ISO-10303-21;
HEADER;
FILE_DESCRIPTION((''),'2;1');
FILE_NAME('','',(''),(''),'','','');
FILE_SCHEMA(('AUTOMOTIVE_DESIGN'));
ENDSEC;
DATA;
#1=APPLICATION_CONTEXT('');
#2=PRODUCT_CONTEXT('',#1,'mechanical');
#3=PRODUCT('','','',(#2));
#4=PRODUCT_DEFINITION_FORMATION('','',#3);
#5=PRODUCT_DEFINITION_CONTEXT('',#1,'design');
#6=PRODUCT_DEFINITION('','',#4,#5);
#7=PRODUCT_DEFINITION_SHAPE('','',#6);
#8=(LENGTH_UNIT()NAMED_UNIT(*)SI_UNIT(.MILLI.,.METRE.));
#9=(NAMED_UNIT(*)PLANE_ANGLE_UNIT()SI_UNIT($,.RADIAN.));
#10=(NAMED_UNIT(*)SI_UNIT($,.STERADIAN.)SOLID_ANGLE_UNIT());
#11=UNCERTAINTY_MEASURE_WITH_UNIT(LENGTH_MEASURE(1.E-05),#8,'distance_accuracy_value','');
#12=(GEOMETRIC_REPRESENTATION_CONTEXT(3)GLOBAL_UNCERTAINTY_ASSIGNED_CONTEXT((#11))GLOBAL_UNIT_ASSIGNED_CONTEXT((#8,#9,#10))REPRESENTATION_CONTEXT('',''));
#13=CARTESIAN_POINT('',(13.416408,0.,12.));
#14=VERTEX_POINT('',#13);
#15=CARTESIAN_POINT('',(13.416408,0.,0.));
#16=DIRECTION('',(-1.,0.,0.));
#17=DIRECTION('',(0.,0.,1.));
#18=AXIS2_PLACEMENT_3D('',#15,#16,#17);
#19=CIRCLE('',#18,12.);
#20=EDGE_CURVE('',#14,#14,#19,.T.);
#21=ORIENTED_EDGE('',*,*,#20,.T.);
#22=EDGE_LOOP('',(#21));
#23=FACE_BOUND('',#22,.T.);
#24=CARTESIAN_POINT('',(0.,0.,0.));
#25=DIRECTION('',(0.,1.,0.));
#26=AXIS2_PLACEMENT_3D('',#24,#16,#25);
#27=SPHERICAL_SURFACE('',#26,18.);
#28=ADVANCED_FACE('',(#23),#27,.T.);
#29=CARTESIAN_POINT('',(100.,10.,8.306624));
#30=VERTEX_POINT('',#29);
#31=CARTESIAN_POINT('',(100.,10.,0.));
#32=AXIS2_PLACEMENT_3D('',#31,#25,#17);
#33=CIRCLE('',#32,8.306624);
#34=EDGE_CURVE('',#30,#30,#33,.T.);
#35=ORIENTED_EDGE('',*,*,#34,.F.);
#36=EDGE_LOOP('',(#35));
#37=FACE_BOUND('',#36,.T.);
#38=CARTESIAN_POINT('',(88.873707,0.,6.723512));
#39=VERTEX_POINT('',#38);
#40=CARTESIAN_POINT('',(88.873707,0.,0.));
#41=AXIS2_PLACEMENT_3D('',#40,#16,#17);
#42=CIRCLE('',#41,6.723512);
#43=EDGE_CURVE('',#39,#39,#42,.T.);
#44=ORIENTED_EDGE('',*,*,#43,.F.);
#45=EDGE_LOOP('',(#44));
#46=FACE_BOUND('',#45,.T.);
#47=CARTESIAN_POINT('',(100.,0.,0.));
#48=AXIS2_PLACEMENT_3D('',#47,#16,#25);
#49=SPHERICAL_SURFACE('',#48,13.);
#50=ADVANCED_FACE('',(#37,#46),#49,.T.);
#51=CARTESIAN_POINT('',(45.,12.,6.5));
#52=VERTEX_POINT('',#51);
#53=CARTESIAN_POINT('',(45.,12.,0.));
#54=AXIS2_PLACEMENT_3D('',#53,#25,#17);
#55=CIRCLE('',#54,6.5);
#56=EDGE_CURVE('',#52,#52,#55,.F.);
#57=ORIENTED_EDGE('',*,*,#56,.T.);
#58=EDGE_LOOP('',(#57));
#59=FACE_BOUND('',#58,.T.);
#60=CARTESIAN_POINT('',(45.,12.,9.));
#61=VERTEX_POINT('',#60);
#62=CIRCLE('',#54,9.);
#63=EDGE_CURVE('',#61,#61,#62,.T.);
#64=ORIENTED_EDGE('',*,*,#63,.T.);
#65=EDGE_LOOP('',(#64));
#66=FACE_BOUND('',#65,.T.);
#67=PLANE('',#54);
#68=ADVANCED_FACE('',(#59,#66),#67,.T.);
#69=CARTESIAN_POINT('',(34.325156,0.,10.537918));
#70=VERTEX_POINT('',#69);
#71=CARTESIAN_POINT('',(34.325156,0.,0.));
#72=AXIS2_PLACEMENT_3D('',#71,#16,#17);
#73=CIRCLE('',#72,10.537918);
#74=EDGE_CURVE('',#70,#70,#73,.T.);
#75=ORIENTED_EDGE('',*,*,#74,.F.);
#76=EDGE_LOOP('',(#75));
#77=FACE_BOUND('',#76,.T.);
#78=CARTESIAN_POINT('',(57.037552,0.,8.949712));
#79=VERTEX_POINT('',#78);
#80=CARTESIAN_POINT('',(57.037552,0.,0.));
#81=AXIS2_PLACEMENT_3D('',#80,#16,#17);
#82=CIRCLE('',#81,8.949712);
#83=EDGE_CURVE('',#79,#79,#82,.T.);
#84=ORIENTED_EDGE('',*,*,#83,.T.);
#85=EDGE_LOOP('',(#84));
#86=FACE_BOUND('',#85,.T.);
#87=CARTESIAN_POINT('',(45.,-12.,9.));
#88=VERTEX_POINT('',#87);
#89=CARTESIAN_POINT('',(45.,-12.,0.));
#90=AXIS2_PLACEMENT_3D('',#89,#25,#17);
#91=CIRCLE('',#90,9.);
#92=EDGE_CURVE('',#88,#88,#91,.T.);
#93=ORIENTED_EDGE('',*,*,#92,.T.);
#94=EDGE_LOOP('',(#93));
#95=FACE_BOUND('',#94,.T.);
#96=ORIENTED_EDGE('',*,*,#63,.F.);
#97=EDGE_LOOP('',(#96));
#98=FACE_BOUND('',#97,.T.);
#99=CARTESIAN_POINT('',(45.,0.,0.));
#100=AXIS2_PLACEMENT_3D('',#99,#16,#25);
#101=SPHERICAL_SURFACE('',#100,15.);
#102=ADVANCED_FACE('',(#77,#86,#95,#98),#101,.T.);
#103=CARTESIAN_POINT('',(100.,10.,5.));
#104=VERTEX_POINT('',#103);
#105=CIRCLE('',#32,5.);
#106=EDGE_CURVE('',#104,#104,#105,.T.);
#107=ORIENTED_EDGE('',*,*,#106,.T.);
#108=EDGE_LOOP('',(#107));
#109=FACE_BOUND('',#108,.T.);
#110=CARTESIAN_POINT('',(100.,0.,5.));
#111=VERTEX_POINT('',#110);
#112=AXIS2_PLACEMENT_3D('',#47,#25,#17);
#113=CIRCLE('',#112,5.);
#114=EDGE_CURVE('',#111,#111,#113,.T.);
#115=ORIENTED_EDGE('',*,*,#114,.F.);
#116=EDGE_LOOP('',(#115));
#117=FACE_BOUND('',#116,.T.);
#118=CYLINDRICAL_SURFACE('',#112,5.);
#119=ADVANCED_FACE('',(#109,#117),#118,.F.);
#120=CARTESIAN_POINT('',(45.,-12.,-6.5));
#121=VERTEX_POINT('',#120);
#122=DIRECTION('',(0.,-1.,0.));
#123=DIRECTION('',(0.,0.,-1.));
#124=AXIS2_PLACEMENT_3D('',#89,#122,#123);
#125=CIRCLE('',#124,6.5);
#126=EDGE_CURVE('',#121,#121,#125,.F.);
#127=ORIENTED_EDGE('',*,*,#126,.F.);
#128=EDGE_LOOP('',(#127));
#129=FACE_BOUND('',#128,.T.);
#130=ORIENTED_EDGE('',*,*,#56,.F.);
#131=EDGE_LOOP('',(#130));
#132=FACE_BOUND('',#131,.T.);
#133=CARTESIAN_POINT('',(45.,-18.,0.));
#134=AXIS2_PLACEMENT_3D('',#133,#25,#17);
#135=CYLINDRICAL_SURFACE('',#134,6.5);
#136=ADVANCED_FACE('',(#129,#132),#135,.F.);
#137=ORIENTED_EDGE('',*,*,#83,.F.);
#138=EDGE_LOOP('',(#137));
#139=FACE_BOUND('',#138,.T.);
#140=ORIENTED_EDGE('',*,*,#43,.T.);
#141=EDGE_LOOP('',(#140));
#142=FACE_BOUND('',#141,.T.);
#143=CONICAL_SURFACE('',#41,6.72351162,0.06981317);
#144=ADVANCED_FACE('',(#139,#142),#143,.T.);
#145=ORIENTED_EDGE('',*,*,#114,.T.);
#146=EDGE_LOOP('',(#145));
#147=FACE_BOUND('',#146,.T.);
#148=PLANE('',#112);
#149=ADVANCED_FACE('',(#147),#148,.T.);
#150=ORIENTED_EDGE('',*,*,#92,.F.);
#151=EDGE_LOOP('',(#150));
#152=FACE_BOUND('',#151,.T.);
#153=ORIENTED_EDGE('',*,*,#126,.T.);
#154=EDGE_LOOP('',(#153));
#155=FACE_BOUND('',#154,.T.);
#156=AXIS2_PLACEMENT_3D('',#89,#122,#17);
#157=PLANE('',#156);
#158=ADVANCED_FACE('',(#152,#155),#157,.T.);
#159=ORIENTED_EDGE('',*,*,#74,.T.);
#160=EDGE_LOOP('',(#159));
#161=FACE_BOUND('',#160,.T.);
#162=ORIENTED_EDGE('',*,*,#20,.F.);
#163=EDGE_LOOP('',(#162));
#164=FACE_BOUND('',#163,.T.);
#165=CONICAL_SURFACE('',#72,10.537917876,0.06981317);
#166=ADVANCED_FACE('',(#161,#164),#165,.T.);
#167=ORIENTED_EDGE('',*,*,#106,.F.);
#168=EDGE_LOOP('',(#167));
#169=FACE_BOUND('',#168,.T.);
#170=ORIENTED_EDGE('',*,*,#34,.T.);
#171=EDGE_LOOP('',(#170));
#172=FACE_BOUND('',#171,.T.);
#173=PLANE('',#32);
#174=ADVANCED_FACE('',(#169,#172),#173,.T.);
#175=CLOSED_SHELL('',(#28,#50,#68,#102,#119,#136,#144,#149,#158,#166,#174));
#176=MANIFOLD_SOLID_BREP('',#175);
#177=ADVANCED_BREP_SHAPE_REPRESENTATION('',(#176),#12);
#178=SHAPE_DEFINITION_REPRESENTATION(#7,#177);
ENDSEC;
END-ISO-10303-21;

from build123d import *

# Parameters (mm, degrees)
SKETCH3_R               = 6.5
CUT_EXTRUDE1_DEPTH      = 19
CUT_EXTRUDE1_DEPTH_BACK = 19
CUT_EXTRUDE2_START      = 10
SKETCH4_R               = 8.5
CUT_EXTRUDE2_DEPTH      = 10
SKETCH5_R               = 5
CUT_EXTRUDE3_DEPTH      = 10
CUT_EXTRUDE4_START      = 12
SKETCH6_R               = 9
CUT_EXTRUDE4_DEPTH      = 12


with BuildPart() as part:
    # Sketch2 → Revolve1 (revolve)
    with BuildSketch(Plane.XY):
        with BuildLine():
            Line((13.416407865, 12), (34.325156356, 10.537917876))
            ThreePointArc((34.325156356, 10.537917876), (46.046347106, 14.963460754), (57.037551508, 8.949712492))
            Line((57.037551508, 8.949712492), (88.873707199, 6.72351162))
            ThreePointArc((88.873707199, 6.72351162), (103.489856271, 12.522815307), (113, 0))
            Line((113, 0), (-18, 0))
            ThreePointArc((-18, 0), (-6.422797616, 16.815102461), (13.416407865, 12))
        make_face()
    revolve(axis=Axis((-18, 0, 0), (1, 0, 0)))

    # Sketch3 → Cut-Extrude1 (cut, two sides)
    with BuildSketch(Plane(origin=(0, 0, 0), x_dir=(1, 0, 0), z_dir=(0, 1, 0))) as cut_extrude1_sk:
        with Locations((45, 0)):
            Circle(SKETCH3_R)
    extrude(amount=CUT_EXTRUDE1_DEPTH, mode=Mode.SUBTRACT)
    extrude(cut_extrude1_sk.sketch, amount=-CUT_EXTRUDE1_DEPTH_BACK, mode=Mode.SUBTRACT)

    # Sketch4 → Cut-Extrude2 (cut)
    with BuildSketch(Plane(origin=(0, 0, 0), x_dir=(1, 0, 0), z_dir=(0, 1, 0)).offset(CUT_EXTRUDE2_START)):
        with Locations((100, 0)):
            Circle(SKETCH4_R)
    extrude(amount=CUT_EXTRUDE2_DEPTH, mode=Mode.SUBTRACT)

    # Sketch5 → Cut-Extrude3 (cut)
    with BuildSketch(Plane(origin=(0, 10, 0), x_dir=(1, 0, 0), z_dir=(0, 1, 0))):
        with Locations((100, 0)):
            Circle(SKETCH5_R)
    extrude(amount=-CUT_EXTRUDE3_DEPTH, mode=Mode.SUBTRACT)

    # Sketch6 → Cut-Extrude4 (cut)
    with BuildSketch(Plane(origin=(0, 0, 0), x_dir=(1, 0, 0), z_dir=(0, 1, 0)).offset(CUT_EXTRUDE4_START)):
        with Locations((45, 0)):
            Circle(SKETCH6_R)
    cut_extrude4 = extrude(amount=CUT_EXTRUDE4_DEPTH, mode=Mode.SUBTRACT)

    # Mirror1: Cut-Extrude4 across plane
    add(cut_extrude4.mirror(Plane.ZX), mode=Mode.SUBTRACT)


solid = part.part
